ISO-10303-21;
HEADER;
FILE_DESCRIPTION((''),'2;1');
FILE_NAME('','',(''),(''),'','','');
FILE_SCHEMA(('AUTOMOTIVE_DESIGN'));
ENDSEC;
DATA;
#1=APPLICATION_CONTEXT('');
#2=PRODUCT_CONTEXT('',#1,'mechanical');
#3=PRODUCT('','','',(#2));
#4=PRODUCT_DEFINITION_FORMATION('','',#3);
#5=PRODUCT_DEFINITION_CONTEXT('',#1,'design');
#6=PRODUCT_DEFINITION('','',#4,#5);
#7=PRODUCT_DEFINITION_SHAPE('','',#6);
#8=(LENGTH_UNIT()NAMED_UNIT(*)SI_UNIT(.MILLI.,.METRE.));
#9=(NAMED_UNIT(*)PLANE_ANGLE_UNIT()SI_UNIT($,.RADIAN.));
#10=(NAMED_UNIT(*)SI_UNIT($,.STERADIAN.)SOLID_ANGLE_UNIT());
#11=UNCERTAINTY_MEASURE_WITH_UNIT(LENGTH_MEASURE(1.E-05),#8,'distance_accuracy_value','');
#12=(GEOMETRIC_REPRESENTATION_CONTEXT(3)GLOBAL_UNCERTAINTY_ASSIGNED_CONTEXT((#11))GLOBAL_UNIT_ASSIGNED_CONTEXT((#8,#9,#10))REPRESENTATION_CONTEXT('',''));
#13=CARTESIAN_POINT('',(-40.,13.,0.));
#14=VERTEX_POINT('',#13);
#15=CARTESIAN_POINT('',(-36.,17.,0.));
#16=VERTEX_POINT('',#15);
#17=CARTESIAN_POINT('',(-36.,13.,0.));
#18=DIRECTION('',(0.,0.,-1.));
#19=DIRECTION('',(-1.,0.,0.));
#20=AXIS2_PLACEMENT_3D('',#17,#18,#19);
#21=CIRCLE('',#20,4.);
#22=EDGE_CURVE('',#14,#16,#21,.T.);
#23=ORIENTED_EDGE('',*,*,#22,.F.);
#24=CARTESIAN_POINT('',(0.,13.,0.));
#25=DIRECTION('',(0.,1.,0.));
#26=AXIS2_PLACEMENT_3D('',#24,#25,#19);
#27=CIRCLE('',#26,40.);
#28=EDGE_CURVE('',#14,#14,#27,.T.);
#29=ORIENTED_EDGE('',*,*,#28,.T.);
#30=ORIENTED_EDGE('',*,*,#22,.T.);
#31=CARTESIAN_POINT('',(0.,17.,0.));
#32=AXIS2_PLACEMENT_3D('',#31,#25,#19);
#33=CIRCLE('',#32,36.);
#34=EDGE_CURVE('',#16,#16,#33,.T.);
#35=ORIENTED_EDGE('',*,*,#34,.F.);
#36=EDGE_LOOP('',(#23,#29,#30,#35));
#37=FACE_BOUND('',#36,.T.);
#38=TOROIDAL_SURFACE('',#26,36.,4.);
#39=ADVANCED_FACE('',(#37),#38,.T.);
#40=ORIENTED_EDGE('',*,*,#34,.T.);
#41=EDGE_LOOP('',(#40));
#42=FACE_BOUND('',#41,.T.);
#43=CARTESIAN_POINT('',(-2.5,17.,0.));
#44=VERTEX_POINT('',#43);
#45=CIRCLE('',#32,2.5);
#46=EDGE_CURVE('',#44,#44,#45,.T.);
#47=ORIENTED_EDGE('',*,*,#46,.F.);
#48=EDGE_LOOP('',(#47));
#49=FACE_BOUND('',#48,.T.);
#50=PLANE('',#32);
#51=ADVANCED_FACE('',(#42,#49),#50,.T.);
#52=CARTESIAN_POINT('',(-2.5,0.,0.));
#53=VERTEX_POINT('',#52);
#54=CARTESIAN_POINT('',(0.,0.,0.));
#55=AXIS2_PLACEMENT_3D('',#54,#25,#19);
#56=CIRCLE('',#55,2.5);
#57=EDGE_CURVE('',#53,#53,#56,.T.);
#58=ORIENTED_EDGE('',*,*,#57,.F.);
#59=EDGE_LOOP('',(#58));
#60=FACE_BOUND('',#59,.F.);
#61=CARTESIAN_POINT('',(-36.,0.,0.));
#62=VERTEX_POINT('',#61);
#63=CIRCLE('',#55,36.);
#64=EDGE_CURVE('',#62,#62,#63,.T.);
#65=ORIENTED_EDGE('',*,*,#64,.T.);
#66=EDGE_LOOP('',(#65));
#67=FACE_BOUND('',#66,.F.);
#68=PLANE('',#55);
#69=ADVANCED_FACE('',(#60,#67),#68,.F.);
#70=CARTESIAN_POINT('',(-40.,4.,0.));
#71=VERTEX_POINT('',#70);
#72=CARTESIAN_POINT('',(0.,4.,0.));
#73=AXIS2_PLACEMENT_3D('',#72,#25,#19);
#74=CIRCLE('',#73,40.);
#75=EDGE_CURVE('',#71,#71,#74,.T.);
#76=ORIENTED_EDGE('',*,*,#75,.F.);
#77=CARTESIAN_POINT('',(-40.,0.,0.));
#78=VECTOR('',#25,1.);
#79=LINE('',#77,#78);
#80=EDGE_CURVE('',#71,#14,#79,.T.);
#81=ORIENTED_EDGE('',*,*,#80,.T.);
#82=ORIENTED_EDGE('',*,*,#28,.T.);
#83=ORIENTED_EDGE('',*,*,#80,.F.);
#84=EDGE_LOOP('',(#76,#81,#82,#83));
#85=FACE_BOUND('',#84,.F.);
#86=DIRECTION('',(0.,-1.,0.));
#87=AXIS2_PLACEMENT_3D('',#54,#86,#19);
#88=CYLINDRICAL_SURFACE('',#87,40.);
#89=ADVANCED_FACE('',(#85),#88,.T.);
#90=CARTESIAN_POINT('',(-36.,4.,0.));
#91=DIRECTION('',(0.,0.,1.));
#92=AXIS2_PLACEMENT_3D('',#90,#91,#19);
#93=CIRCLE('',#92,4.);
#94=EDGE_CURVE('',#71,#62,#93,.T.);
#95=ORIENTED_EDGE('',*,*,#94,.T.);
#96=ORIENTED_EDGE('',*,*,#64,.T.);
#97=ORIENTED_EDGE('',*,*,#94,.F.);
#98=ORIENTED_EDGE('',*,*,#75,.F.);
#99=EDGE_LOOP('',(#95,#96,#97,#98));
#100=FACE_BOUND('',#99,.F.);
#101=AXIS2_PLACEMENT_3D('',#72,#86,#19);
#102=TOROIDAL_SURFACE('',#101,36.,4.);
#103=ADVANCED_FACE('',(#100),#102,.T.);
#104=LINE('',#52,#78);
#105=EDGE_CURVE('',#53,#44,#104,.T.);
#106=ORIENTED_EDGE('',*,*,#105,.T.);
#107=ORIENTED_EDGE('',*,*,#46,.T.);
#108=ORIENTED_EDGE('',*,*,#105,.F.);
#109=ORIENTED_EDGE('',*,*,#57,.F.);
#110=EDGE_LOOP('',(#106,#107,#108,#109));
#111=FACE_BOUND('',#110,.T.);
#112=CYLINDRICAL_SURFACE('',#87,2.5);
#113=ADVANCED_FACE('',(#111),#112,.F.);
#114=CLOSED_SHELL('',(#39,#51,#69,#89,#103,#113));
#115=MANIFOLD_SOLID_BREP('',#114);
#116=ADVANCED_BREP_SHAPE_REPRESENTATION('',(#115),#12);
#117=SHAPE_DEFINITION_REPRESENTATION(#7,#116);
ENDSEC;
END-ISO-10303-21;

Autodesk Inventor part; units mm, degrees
ref_plane "YZ Plane" through (0, 0, 0) normal (1, 0, 0) x (0, 1, 0)
ref_plane "XZ Plane" through (0, 0, 0) normal (0, 1, 0) x (-1, 0, 0)
ref_plane "XY Plane" through (0, 0, 0) normal (0, 0, 1) x (1, 0, 0)
sketch "Sketch1" plane through (0, 0, 0) normal (0, 1, 0) x (-1, 0, 0)
  circle A0 centre (0, 0) radius 40
  circle A1 centre (0, 0) radius 2.5
  dimension "d0" = 80
  dimension "d1" = 5
extrude "Extrusion1" add sketch "Sketch1" along normal blind 17
fillet "Fillet1" radius 4 2 edges at (40, 17, 0) (40, 0, 0)
properties part number "Wheels" material "Acetal Resin, Black"
